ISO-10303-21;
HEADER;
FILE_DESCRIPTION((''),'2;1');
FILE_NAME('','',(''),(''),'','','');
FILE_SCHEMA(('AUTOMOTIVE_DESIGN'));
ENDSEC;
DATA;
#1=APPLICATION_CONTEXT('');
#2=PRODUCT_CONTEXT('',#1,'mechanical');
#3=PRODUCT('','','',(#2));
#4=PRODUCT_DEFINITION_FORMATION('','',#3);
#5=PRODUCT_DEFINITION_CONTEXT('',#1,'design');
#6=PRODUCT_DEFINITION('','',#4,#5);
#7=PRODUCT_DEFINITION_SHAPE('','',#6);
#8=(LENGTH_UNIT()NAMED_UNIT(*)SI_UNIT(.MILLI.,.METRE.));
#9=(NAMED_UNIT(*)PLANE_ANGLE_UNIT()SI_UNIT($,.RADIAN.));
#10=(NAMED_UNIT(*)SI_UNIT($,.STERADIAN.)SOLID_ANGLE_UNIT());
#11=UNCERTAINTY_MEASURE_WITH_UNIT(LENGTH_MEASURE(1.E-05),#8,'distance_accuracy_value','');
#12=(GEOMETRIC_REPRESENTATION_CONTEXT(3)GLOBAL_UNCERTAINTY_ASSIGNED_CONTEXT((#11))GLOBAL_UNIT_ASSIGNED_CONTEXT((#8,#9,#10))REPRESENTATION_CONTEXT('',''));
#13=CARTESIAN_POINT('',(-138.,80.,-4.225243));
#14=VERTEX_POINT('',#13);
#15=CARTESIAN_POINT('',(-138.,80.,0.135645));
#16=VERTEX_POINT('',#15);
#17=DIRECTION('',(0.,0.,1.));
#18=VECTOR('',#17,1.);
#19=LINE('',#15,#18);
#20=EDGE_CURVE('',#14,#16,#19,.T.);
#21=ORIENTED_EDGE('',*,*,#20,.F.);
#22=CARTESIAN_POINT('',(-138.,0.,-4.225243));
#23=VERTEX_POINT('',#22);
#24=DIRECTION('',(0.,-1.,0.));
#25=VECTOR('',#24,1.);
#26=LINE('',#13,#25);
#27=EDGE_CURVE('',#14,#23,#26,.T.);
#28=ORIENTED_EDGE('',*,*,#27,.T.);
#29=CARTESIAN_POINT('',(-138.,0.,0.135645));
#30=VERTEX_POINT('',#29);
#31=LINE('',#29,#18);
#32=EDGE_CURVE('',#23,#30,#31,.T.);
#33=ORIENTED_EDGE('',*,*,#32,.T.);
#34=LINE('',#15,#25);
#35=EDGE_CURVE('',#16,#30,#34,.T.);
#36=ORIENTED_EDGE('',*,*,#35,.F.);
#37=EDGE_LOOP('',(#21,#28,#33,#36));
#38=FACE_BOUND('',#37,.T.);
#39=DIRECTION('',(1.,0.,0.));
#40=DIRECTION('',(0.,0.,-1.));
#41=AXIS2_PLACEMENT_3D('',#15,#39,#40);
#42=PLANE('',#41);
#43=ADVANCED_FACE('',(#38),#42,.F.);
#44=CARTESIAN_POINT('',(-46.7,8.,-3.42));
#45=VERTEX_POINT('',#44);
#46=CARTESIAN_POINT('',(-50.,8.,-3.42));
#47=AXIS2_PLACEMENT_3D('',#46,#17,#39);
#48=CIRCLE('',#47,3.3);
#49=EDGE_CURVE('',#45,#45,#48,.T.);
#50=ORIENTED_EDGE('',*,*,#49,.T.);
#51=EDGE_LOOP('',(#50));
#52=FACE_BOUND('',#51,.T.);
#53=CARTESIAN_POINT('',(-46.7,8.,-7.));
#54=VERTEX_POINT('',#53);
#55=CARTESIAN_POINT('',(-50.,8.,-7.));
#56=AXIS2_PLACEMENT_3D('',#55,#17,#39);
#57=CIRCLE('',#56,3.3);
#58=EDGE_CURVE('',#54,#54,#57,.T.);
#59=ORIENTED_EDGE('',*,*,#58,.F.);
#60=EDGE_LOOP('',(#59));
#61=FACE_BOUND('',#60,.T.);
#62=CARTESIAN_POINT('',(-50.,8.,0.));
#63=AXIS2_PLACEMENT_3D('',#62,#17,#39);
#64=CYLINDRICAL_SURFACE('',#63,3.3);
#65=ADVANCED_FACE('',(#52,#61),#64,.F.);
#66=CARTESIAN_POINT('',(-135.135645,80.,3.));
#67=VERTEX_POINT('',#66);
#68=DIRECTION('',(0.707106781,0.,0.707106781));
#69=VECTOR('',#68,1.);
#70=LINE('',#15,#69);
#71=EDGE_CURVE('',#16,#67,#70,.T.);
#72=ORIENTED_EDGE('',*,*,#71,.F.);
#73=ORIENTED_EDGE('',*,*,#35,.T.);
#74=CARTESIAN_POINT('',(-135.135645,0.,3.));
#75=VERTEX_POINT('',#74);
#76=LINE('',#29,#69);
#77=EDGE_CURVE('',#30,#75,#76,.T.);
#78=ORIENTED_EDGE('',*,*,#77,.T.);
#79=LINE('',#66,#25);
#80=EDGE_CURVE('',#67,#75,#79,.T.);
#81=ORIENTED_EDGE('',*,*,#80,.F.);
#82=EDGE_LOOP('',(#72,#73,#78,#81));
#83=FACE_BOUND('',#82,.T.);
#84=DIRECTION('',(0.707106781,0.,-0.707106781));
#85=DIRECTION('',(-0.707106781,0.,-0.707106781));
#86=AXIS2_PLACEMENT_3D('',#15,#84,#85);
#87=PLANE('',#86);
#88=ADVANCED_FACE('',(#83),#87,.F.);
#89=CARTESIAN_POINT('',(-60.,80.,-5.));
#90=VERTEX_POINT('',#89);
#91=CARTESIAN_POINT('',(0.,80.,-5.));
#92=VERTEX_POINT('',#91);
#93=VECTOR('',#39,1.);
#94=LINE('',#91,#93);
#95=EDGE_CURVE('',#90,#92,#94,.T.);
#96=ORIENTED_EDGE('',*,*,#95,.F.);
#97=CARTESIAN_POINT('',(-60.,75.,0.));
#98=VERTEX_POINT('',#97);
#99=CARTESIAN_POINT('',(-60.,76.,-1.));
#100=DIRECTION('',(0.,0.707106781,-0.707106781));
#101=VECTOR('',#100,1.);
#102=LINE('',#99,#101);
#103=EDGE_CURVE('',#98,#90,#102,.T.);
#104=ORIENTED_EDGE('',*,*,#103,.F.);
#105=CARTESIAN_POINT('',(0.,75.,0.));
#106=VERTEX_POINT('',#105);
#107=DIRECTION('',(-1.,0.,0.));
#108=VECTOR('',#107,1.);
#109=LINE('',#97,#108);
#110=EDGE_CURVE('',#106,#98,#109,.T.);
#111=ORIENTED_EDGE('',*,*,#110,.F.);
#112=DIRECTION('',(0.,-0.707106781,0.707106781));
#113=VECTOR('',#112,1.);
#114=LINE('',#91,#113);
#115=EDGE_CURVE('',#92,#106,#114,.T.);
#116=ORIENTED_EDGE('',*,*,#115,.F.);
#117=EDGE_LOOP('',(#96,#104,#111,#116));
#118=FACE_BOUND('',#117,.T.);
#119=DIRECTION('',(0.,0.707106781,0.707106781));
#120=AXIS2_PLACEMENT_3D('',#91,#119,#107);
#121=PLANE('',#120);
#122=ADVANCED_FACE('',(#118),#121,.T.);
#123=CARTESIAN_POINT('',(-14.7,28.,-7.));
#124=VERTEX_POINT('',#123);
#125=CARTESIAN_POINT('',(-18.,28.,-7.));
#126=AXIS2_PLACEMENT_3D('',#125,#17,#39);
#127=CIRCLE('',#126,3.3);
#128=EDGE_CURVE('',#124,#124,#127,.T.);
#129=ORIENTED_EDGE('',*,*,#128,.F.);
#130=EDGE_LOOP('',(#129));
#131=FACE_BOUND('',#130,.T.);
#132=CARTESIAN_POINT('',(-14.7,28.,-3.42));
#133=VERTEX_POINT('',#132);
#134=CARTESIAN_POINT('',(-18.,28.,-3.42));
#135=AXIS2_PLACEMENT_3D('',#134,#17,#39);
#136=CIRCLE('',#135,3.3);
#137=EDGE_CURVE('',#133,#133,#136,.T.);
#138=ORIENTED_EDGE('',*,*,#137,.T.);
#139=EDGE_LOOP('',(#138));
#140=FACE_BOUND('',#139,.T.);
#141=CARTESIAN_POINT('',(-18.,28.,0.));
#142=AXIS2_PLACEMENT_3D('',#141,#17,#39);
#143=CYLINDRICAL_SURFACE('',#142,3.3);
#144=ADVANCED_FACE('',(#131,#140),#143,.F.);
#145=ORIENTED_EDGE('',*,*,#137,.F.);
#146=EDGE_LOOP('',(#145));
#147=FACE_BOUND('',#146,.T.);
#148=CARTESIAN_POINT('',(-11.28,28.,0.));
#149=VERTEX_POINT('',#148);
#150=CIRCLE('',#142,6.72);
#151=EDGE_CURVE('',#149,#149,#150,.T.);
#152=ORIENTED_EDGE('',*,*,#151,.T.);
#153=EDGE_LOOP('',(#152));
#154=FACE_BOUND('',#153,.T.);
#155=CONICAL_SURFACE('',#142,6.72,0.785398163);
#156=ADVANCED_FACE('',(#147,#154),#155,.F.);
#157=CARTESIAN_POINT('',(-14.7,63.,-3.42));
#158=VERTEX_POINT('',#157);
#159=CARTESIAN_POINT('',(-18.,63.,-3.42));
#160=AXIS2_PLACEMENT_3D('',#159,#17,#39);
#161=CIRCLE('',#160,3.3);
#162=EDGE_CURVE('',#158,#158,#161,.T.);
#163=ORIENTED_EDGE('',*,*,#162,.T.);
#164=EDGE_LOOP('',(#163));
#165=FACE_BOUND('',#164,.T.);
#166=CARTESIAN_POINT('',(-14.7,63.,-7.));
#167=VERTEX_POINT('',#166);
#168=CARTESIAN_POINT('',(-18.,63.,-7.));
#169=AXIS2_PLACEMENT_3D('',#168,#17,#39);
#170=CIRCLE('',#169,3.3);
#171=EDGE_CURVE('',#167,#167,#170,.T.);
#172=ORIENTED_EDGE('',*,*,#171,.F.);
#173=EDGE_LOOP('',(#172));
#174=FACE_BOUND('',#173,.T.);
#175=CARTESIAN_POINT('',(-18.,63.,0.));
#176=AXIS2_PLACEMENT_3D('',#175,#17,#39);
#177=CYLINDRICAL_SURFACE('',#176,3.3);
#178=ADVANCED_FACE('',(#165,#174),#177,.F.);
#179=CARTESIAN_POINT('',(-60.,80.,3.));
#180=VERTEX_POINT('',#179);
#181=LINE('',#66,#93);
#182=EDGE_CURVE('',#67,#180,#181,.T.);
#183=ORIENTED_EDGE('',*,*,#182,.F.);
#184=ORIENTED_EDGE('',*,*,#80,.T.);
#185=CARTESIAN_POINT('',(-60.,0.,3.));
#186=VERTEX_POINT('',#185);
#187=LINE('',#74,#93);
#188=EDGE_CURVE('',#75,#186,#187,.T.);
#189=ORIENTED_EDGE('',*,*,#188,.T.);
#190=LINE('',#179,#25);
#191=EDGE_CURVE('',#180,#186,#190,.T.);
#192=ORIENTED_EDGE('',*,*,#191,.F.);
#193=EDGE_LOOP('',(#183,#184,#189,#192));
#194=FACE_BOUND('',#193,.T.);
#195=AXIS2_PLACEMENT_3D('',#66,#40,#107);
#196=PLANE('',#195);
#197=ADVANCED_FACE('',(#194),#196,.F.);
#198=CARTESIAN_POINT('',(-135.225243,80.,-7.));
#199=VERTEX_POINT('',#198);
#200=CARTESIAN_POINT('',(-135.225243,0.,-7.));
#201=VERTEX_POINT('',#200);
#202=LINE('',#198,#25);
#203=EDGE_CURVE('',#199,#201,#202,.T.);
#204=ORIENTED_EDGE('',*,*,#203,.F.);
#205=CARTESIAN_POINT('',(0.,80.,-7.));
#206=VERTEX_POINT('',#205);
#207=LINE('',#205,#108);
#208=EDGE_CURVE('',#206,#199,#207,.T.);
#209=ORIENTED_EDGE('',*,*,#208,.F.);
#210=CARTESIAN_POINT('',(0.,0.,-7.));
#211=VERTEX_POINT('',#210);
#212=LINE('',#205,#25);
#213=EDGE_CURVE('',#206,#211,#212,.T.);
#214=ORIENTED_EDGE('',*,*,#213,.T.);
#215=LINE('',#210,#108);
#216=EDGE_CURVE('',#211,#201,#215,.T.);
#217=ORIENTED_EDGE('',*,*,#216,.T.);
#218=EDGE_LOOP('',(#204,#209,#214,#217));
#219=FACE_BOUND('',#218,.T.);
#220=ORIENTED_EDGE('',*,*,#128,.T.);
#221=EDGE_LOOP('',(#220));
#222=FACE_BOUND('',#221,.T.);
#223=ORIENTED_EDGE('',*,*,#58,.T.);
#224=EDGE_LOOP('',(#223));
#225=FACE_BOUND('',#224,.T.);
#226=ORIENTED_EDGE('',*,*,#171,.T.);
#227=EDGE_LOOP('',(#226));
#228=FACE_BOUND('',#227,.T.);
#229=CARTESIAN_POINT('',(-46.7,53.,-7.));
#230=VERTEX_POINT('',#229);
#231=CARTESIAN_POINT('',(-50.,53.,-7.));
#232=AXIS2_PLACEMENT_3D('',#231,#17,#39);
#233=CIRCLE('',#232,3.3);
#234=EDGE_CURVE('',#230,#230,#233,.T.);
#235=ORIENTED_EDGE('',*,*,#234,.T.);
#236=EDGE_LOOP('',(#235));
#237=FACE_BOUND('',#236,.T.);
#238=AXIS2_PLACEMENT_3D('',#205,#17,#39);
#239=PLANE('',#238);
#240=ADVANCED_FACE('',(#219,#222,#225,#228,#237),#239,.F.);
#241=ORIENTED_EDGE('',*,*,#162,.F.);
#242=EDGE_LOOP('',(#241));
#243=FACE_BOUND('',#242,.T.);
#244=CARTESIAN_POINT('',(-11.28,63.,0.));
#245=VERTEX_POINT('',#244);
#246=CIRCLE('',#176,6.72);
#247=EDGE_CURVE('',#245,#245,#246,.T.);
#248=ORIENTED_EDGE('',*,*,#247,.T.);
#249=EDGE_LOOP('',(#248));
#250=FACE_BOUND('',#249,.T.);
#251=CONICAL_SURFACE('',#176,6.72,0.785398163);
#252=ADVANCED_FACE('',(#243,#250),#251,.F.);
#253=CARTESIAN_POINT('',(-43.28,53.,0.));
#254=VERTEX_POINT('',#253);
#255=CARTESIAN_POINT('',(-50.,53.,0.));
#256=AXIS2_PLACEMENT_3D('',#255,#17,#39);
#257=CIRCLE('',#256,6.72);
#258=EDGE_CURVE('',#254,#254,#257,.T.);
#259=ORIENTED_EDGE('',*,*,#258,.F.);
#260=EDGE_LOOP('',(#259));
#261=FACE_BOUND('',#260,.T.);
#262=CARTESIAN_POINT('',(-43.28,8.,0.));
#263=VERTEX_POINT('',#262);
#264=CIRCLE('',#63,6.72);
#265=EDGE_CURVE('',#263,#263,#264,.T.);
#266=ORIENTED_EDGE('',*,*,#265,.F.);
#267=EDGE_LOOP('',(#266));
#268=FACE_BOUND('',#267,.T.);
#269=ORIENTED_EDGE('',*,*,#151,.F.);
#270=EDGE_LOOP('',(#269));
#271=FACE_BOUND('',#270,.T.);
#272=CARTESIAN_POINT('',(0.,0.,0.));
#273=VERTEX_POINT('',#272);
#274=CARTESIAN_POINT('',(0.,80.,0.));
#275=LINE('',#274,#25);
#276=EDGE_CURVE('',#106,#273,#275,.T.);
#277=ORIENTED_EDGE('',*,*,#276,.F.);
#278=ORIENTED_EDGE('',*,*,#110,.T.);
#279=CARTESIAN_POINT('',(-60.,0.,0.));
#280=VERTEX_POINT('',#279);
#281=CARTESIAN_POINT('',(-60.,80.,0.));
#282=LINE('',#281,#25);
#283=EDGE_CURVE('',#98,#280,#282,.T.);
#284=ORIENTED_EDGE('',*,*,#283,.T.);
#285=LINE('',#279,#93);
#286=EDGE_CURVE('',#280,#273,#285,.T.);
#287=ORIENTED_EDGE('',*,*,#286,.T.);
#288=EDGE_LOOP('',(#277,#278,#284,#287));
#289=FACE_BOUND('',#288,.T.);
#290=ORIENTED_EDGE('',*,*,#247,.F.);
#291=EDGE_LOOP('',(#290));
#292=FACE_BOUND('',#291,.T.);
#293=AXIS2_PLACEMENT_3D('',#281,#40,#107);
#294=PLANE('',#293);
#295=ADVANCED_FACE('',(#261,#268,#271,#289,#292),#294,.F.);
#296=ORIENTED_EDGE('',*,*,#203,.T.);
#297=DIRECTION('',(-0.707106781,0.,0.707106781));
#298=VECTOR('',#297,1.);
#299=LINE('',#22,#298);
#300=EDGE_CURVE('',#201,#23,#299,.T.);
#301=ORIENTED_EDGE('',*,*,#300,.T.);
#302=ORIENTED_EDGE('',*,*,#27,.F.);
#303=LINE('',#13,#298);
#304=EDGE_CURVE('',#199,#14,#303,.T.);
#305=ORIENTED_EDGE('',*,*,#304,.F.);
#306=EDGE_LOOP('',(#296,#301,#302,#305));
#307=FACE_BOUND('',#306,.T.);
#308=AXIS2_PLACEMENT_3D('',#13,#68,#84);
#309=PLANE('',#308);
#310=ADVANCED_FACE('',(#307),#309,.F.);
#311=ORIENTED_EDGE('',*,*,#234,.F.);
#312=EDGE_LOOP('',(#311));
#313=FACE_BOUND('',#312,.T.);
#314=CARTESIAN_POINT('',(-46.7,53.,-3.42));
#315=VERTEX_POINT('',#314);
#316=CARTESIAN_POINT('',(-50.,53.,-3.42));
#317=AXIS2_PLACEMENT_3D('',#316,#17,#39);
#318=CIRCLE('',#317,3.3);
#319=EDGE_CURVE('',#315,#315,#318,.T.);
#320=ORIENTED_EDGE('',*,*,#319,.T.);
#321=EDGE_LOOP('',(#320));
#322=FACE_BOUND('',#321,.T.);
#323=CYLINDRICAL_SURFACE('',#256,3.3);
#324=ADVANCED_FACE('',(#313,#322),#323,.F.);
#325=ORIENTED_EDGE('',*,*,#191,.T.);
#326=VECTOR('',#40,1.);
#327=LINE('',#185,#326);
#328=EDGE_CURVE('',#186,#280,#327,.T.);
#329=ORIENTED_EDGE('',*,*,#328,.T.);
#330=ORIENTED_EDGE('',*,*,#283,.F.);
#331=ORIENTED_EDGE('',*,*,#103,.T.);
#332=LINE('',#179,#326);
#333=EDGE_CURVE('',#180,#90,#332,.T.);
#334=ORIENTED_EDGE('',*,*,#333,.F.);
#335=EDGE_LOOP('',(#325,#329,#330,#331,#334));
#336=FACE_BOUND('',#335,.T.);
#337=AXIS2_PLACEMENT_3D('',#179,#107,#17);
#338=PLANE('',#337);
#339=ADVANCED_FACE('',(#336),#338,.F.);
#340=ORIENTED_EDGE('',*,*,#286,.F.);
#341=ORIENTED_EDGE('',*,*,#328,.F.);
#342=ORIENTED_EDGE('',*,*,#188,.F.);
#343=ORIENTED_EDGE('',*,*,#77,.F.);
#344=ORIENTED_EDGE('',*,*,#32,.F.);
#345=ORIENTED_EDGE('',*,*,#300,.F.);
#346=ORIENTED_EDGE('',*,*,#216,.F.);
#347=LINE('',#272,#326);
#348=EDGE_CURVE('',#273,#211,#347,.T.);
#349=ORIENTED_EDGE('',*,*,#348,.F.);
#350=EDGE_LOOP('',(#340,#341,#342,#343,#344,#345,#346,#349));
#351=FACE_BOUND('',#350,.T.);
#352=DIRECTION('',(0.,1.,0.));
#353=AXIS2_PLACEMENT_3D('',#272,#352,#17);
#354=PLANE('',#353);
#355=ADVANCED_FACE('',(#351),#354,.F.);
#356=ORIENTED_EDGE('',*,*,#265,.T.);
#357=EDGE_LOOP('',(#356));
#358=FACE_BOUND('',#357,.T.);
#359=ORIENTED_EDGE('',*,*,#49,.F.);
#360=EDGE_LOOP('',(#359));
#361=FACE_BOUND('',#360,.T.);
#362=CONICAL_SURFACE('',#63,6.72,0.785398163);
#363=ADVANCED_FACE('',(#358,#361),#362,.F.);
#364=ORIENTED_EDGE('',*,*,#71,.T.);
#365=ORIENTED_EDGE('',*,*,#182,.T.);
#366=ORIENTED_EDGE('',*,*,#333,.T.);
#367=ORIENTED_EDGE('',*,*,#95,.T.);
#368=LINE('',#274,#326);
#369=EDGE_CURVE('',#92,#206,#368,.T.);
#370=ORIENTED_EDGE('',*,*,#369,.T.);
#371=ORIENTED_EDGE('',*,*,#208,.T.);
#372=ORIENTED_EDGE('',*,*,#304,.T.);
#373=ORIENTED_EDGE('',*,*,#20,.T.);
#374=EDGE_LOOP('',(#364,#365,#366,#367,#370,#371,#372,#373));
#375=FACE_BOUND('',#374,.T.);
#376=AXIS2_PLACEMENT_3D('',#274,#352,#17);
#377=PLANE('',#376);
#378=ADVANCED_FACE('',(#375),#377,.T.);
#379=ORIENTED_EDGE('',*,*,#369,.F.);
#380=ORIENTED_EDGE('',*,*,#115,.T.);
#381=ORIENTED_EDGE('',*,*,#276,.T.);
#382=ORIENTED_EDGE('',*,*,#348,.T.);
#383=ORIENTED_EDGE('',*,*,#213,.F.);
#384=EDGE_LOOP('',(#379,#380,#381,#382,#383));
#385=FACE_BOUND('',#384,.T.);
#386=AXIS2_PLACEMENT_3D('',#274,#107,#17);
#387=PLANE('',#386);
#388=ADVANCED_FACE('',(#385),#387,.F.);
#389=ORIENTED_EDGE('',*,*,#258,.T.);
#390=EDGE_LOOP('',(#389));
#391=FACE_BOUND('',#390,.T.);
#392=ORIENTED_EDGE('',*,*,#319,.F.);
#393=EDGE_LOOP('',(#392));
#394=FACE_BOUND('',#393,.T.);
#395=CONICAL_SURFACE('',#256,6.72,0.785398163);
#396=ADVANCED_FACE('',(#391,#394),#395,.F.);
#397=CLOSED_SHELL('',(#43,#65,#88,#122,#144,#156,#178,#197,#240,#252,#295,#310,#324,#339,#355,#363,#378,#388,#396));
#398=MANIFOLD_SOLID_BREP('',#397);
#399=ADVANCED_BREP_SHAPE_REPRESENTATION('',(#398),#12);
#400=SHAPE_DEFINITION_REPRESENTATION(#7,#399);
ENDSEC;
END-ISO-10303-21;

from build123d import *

# Parameters (mm, degrees)
RESSALTO_EXTRUS_O1_DEPTH                            = 80
CHANFRO2_SIZE                                       = 5
ESCAREADO_PARA_PARAFUSO_ALLEN_SEXTAVADO_D           = 6.6
ESCAREADO_PARA_PARAFUSO_ALLEN_SEXTAVADO_CSINK_D     = 13.44
ESCAREADO_PARA_PARAFUSO_ALLEN_SEXTAVADO_CSINK_ANGLE = 90


with BuildPart() as part:
    # Esboço1 → Ressalto-extrusão1 (new body)
    with BuildSketch(Plane(origin=(0, 0, 0), x_dir=(1, 0, 0), z_dir=(0, 1, 0))):
        Polygon((0, 0), (0, 7), (-135.225243436, 7), (-138, 4.225243436), (-138, -0.135644581), (-135.135644581, -3), (-60, -3), (-60, 0), align=None)
    extrude(amount=RESSALTO_EXTRUS_O1_DEPTH)

    # Chanfro2
    chanfro2_edges = [part.edges().sort_by_distance(p)[0] for p in [
        (-30, 80, 0),
    ]]
    chamfer(chanfro2_edges, length=CHANFRO2_SIZE)

    # Escareado para parafuso Allen sextavado escareado de M62 (through all)
    with Locations(Plane.XY):
        with Locations((-18, 63), (-50, 53), (-18, 28), (-50, 8)):
            CounterSinkHole(ESCAREADO_PARA_PARAFUSO_ALLEN_SEXTAVADO_D / 2, ESCAREADO_PARA_PARAFUSO_ALLEN_SEXTAVADO_CSINK_D / 2, counter_sink_angle=ESCAREADO_PARA_PARAFUSO_ALLEN_SEXTAVADO_CSINK_ANGLE)


solid = part.part
